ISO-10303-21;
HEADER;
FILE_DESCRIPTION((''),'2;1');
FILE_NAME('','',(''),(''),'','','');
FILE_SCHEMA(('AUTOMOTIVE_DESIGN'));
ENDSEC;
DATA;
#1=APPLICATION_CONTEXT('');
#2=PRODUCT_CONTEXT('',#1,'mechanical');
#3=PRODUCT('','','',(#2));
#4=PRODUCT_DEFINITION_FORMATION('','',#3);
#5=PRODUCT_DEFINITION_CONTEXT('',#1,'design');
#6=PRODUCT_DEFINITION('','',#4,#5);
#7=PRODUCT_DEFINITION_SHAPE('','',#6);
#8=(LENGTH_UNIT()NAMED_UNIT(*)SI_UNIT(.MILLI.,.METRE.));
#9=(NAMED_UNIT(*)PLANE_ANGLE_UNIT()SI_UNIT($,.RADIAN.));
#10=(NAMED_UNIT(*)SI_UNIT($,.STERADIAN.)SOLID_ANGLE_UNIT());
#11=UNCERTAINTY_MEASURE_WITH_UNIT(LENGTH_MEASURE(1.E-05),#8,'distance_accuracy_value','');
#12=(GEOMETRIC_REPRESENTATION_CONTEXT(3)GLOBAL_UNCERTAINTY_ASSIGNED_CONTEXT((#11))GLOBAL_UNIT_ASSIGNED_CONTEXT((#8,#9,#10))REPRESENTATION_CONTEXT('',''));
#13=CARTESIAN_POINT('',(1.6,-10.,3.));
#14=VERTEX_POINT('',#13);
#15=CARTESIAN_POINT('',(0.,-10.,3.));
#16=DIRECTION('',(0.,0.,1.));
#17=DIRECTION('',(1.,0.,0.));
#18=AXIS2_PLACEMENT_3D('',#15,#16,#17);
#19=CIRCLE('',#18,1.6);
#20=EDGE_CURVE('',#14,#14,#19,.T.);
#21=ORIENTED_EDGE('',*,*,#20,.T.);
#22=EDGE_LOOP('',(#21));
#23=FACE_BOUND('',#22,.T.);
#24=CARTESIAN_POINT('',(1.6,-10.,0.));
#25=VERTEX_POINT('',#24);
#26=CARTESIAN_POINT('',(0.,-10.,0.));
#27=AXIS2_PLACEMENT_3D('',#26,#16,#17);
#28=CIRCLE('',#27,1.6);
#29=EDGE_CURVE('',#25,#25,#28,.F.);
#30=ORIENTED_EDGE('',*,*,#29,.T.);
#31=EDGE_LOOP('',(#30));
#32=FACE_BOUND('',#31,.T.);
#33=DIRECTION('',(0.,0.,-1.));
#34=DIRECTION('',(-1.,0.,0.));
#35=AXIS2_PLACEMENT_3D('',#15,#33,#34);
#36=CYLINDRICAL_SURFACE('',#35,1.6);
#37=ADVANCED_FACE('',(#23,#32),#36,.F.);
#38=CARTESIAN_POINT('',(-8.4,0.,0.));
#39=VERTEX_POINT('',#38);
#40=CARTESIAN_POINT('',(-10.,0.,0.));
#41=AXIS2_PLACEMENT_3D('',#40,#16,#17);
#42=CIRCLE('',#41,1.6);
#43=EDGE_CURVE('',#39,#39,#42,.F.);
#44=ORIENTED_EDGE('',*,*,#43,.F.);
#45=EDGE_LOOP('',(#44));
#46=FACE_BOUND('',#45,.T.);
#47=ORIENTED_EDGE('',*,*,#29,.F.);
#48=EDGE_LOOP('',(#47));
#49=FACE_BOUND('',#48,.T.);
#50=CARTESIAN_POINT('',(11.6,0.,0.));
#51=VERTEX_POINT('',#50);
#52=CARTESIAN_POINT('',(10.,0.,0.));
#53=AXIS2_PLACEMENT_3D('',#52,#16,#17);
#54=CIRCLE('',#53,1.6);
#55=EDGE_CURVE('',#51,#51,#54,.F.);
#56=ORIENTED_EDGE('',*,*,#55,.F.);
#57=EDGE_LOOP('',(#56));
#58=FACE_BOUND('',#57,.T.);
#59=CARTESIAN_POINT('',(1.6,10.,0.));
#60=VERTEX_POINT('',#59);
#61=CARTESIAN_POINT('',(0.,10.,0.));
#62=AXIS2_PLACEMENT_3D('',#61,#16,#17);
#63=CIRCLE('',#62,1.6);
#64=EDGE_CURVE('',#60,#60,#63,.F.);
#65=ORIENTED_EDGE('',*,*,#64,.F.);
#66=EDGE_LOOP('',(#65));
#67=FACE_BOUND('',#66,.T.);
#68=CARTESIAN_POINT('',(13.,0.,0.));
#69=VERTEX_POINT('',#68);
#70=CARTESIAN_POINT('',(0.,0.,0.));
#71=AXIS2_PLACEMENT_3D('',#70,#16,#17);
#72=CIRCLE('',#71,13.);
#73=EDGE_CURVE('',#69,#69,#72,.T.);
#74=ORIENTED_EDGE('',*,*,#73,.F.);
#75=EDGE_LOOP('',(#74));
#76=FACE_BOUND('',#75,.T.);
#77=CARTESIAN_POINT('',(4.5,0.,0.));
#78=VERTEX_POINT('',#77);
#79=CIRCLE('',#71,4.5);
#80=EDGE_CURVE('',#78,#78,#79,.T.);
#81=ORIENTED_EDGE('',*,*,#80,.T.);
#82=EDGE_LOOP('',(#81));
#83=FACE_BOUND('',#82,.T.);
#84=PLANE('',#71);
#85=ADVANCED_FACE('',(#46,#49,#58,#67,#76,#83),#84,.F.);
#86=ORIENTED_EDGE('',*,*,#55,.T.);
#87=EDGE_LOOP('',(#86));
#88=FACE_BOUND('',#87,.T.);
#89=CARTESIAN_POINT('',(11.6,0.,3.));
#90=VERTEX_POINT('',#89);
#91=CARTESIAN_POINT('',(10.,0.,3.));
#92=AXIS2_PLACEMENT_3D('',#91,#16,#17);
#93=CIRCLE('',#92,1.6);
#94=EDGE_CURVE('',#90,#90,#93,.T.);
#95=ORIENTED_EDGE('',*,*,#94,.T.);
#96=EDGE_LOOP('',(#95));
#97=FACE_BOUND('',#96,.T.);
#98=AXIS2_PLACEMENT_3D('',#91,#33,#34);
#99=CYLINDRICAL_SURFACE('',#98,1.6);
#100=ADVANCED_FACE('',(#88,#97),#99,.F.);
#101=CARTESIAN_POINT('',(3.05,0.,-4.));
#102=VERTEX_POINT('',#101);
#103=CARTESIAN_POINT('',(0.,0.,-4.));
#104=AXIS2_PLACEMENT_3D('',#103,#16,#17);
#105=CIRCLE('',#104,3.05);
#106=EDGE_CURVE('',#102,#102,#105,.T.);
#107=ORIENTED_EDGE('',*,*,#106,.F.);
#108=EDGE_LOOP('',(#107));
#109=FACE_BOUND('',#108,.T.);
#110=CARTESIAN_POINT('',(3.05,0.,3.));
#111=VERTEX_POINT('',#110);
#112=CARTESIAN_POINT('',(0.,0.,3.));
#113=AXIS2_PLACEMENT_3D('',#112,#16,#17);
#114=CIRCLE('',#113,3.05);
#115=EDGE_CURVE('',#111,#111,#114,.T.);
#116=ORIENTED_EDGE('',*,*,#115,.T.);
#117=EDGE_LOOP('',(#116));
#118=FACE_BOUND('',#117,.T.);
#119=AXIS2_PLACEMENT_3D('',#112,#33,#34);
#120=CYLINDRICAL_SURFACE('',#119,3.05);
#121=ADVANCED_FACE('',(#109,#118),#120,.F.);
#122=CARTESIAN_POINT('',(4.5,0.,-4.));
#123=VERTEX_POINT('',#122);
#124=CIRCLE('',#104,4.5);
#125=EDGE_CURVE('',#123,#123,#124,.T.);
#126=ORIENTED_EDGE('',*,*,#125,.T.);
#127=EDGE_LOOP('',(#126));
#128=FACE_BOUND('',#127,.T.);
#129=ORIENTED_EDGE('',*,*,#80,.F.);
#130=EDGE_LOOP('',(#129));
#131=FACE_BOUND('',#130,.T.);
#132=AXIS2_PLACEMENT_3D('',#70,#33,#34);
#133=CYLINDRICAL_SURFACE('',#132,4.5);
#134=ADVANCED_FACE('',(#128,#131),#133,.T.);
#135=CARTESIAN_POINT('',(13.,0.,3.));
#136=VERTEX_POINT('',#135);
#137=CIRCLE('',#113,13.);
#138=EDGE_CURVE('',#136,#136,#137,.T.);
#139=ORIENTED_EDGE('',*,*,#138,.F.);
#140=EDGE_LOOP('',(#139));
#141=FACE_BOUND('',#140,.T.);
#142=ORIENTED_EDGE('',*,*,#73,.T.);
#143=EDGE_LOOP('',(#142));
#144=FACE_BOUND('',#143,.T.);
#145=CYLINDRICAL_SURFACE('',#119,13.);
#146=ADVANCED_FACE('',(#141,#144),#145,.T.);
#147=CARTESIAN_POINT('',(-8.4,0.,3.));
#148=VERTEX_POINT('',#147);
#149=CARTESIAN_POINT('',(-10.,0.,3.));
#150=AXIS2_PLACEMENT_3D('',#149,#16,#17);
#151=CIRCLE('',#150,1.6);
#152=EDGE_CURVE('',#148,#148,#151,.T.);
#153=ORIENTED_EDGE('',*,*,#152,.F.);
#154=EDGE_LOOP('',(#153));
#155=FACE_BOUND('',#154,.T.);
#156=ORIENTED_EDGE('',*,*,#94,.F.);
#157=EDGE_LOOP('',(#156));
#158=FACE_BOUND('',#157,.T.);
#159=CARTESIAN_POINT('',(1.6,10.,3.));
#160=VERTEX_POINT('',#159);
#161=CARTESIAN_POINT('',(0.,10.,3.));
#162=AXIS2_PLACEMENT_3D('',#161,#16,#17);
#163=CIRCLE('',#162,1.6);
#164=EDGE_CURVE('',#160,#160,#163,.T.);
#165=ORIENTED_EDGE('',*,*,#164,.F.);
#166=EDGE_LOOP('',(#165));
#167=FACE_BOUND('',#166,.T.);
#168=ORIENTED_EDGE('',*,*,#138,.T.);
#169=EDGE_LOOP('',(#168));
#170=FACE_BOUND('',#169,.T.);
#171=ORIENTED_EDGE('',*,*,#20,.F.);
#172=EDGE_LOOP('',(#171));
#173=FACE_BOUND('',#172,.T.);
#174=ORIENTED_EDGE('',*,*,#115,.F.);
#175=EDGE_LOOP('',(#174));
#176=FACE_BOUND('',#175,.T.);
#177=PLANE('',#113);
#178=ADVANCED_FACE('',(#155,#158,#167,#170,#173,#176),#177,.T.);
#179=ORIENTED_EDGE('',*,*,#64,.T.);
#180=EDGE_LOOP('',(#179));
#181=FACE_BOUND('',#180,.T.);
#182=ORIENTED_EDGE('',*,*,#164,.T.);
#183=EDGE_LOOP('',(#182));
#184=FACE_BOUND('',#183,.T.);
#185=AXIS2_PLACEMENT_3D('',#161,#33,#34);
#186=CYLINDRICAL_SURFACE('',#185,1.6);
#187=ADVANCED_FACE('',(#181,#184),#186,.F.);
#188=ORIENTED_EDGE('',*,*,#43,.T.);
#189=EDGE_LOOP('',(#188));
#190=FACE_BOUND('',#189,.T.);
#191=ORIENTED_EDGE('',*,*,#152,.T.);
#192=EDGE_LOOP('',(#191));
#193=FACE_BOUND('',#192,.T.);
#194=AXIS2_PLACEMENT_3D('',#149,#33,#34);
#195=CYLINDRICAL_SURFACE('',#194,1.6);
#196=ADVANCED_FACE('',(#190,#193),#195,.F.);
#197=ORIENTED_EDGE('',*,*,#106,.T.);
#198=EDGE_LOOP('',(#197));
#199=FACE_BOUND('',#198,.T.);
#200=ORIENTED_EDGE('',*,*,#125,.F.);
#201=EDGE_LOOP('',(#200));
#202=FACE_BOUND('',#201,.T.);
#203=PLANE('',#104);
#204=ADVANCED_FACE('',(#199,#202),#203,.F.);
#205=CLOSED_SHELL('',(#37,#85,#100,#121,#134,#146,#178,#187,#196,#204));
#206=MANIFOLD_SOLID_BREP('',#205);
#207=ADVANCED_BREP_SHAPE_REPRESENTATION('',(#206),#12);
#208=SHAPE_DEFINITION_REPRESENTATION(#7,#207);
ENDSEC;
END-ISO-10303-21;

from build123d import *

# Parameters (mm, degrees)
HORN_PLATE_ENVELOPE_PROFILE_R           = 13
HORN_PLATE_ENVELOPE_PROFILE_R_2         = 3.05
HORN_PLATE_ENVELOPE_DEPTH               = 3
SPLINE_HUB_ENVELOPE_START               = -4
SPLINE_HUB_ENVELOPE_PROFILE_R           = 4.5
SPLINE_HUB_ENVELOPE_PROFILE_R_2         = 3.05
SPLINE_HUB_ENVELOPE_DEPTH               = 4
NOMINAL_HORN_ATTACHMENT_HOLES_START     = -50
NOMINAL_HORN_ATTACHMENT_HOLES_PROFILE_R = 1.6
NOMINAL_HORN_ATTACHMENT_HOLES_DEPTH     = 69.814887722


with BuildPart() as part:
    # Horn_plate_envelope_profile → Horn_plate_envelope (new body)
    with BuildSketch(Plane.XY):
        Circle(HORN_PLATE_ENVELOPE_PROFILE_R)
        Circle(HORN_PLATE_ENVELOPE_PROFILE_R_2, mode=Mode.SUBTRACT)
    extrude(amount=HORN_PLATE_ENVELOPE_DEPTH)

    # Spline_hub_envelope_profile → Spline_hub_envelope (add)
    with BuildSketch(Plane.XY.offset(SPLINE_HUB_ENVELOPE_START)):
        Circle(SPLINE_HUB_ENVELOPE_PROFILE_R)
        Circle(SPLINE_HUB_ENVELOPE_PROFILE_R_2, mode=Mode.SUBTRACT)
    extrude(amount=SPLINE_HUB_ENVELOPE_DEPTH)

    # Nominal_horn_attachment_holes_profile → Nominal_horn_attachment_holes (cut, through all)
    with BuildSketch(Plane.XY.offset(NOMINAL_HORN_ATTACHMENT_HOLES_START)):
        with Locations((-10, 0)):
            Circle(NOMINAL_HORN_ATTACHMENT_HOLES_PROFILE_R)
        with Locations((10, 0)):
            Circle(NOMINAL_HORN_ATTACHMENT_HOLES_PROFILE_R)
        with Locations((0, -10)):
            Circle(NOMINAL_HORN_ATTACHMENT_HOLES_PROFILE_R)
        with Locations((0, 10)):
            Circle(NOMINAL_HORN_ATTACHMENT_HOLES_PROFILE_R)
    extrude(amount=NOMINAL_HORN_ATTACHMENT_HOLES_DEPTH, mode=Mode.SUBTRACT)


solid = part.part
